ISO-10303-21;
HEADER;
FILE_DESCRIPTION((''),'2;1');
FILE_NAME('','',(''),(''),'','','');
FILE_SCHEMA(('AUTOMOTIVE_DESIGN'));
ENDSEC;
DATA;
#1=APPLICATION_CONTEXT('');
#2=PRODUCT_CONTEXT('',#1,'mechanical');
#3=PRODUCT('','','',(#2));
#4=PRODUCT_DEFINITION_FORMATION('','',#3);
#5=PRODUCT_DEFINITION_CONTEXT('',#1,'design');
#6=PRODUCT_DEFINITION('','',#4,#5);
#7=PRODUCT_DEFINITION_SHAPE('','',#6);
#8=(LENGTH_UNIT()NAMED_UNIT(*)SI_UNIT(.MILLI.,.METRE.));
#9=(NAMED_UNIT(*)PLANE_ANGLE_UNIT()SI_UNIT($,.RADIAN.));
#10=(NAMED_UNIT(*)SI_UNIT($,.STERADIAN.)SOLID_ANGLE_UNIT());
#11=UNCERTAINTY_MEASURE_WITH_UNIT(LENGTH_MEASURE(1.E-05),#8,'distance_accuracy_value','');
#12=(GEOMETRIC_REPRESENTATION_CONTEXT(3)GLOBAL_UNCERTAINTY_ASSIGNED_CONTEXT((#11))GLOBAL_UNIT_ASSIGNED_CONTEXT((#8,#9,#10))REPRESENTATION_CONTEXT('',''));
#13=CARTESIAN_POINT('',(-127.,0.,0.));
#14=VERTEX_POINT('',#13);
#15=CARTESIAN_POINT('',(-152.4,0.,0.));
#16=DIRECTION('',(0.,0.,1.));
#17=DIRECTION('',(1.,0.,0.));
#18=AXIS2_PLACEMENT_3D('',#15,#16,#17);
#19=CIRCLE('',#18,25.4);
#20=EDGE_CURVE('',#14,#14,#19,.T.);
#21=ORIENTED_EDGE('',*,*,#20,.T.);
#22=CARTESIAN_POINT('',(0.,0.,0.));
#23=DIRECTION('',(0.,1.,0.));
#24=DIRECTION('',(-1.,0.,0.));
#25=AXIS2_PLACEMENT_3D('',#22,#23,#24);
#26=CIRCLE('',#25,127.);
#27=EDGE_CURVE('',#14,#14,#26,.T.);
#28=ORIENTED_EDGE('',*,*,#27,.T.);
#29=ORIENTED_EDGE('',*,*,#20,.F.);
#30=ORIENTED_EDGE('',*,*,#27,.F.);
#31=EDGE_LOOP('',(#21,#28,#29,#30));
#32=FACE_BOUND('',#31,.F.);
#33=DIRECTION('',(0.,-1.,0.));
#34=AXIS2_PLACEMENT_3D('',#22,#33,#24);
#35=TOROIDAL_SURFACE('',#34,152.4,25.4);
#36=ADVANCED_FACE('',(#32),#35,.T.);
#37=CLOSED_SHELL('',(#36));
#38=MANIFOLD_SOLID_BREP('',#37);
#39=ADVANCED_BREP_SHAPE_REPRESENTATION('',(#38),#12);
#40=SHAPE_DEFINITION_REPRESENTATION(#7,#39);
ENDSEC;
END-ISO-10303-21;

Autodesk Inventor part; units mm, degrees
ref_plane "YZ Plane" through (0, 0, 0) normal (1, 0, 0) x (0, 1, 0)
ref_plane "XZ Plane" through (0, 0, 0) normal (0, 1, 0) x (-1, 0, 0)
ref_plane "XY Plane" through (0, 0, 0) normal (0, 0, 1) x (1, 0, 0)
sketch "Sketch1" plane through (0, 0, 0) normal (0, 0, 1) x (1, 0, 0)
  circle A0 centre (-152.4, 0) radius 25.4
  line L0 (0, 0) -> (0, 33.1048) construction
  point P0 (-177.8, 0)
  dimension "d3" = 50.8
  dimension "d0" = 254
  dimension "d1" = 355.6
revolve "Revolution1" add sketch "Sketch1" angle 360 about axis through (0, 0, 0) along (0, 1, 0)
properties part number "2024 Note"
